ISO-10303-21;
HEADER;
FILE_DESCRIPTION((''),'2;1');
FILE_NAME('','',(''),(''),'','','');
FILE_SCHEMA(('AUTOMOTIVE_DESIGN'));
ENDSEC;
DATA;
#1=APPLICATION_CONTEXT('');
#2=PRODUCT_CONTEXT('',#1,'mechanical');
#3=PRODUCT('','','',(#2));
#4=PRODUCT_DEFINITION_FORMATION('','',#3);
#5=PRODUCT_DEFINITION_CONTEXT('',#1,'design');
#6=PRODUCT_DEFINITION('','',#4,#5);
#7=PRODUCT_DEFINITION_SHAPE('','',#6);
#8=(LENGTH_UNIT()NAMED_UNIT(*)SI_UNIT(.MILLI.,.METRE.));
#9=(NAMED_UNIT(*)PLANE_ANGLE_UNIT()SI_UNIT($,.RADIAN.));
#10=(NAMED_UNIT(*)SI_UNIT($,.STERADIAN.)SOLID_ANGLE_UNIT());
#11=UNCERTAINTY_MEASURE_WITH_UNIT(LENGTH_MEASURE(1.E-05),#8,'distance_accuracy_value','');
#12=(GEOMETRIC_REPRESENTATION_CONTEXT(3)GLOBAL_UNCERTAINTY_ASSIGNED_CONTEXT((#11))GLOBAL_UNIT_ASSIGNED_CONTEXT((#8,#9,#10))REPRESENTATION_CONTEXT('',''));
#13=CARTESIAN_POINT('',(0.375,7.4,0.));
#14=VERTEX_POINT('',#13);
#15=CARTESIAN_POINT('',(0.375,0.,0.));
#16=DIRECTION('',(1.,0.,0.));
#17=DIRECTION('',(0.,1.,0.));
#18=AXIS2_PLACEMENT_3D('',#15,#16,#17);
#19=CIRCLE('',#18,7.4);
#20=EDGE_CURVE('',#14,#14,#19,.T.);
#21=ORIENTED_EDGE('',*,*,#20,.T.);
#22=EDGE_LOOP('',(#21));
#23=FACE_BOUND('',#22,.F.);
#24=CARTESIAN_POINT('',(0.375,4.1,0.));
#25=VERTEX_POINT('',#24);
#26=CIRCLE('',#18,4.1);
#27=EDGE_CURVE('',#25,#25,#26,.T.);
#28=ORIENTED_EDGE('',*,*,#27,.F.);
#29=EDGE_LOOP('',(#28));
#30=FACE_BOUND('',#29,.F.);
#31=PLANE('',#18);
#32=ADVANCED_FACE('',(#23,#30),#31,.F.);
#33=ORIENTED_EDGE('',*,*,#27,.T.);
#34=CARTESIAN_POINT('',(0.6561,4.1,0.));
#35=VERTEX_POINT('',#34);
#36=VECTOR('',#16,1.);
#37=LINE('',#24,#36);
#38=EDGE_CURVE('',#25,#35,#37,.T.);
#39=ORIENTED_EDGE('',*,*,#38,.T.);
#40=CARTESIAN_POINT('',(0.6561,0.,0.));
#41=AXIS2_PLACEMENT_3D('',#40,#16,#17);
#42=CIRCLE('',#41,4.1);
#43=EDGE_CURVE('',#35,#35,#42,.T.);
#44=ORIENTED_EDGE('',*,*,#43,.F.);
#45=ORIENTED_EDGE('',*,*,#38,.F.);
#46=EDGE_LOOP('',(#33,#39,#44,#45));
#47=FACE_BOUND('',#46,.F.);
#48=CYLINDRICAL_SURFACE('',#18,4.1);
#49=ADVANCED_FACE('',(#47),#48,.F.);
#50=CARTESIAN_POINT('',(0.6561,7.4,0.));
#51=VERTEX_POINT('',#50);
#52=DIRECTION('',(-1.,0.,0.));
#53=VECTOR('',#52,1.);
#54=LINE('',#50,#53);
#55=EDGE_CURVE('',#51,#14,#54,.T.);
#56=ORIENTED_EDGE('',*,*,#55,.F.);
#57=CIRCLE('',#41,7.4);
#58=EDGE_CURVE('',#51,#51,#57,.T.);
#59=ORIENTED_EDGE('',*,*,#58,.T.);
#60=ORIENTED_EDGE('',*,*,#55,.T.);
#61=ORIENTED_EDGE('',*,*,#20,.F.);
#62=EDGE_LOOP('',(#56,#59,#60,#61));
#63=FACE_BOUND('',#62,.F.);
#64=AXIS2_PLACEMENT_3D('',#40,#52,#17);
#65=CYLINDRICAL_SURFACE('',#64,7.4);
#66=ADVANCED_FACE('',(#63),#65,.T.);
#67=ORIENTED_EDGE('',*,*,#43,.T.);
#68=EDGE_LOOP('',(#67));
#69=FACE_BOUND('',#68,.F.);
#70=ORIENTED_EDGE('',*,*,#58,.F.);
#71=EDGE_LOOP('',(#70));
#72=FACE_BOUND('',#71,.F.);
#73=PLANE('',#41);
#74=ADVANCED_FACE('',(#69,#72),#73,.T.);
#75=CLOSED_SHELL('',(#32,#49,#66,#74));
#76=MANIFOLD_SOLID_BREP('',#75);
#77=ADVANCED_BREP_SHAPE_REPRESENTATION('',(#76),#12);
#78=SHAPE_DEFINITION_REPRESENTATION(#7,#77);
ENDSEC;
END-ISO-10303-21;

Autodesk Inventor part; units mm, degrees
sketch "Sketch_1" plane through (0, 0, 0) normal (0, 0, 1) x (1, 0, 0)
  line L0 (0.6561, 0) -> (0.375, 0)
  line L1 (0.375, 4.1) -> (0.6561, 4.1)
  line L2 (0.6561, 4.1) -> (0.6561, 7.4)
  line L3 (0.6561, 7.4) -> (0.375, 7.4)
  line L4 (0.375, 7.4) -> (0.375, 4.1)
revolve "Revolution1" add sketch "Sketch_1" angle 360 about axis through (0.6561, 0, 0) along (1, 0, 0)
ref_plane "ip_st_1_XY" through (0.375, 0, 0) normal (-1, 0, 0) x (0, 0, -1)
ref_plane "ip_st_1_YZ" through (0.375, 0, 0) normal (0, 0, -1) x (0, -1, 0)
ref_plane "ip_st_1_ZX" through (0.375, 0, 0) normal (0, -1, 0) x (-1, 0, 0)
properties part number "F606ZZ Shield1" material "鋼、炭素鋼"
